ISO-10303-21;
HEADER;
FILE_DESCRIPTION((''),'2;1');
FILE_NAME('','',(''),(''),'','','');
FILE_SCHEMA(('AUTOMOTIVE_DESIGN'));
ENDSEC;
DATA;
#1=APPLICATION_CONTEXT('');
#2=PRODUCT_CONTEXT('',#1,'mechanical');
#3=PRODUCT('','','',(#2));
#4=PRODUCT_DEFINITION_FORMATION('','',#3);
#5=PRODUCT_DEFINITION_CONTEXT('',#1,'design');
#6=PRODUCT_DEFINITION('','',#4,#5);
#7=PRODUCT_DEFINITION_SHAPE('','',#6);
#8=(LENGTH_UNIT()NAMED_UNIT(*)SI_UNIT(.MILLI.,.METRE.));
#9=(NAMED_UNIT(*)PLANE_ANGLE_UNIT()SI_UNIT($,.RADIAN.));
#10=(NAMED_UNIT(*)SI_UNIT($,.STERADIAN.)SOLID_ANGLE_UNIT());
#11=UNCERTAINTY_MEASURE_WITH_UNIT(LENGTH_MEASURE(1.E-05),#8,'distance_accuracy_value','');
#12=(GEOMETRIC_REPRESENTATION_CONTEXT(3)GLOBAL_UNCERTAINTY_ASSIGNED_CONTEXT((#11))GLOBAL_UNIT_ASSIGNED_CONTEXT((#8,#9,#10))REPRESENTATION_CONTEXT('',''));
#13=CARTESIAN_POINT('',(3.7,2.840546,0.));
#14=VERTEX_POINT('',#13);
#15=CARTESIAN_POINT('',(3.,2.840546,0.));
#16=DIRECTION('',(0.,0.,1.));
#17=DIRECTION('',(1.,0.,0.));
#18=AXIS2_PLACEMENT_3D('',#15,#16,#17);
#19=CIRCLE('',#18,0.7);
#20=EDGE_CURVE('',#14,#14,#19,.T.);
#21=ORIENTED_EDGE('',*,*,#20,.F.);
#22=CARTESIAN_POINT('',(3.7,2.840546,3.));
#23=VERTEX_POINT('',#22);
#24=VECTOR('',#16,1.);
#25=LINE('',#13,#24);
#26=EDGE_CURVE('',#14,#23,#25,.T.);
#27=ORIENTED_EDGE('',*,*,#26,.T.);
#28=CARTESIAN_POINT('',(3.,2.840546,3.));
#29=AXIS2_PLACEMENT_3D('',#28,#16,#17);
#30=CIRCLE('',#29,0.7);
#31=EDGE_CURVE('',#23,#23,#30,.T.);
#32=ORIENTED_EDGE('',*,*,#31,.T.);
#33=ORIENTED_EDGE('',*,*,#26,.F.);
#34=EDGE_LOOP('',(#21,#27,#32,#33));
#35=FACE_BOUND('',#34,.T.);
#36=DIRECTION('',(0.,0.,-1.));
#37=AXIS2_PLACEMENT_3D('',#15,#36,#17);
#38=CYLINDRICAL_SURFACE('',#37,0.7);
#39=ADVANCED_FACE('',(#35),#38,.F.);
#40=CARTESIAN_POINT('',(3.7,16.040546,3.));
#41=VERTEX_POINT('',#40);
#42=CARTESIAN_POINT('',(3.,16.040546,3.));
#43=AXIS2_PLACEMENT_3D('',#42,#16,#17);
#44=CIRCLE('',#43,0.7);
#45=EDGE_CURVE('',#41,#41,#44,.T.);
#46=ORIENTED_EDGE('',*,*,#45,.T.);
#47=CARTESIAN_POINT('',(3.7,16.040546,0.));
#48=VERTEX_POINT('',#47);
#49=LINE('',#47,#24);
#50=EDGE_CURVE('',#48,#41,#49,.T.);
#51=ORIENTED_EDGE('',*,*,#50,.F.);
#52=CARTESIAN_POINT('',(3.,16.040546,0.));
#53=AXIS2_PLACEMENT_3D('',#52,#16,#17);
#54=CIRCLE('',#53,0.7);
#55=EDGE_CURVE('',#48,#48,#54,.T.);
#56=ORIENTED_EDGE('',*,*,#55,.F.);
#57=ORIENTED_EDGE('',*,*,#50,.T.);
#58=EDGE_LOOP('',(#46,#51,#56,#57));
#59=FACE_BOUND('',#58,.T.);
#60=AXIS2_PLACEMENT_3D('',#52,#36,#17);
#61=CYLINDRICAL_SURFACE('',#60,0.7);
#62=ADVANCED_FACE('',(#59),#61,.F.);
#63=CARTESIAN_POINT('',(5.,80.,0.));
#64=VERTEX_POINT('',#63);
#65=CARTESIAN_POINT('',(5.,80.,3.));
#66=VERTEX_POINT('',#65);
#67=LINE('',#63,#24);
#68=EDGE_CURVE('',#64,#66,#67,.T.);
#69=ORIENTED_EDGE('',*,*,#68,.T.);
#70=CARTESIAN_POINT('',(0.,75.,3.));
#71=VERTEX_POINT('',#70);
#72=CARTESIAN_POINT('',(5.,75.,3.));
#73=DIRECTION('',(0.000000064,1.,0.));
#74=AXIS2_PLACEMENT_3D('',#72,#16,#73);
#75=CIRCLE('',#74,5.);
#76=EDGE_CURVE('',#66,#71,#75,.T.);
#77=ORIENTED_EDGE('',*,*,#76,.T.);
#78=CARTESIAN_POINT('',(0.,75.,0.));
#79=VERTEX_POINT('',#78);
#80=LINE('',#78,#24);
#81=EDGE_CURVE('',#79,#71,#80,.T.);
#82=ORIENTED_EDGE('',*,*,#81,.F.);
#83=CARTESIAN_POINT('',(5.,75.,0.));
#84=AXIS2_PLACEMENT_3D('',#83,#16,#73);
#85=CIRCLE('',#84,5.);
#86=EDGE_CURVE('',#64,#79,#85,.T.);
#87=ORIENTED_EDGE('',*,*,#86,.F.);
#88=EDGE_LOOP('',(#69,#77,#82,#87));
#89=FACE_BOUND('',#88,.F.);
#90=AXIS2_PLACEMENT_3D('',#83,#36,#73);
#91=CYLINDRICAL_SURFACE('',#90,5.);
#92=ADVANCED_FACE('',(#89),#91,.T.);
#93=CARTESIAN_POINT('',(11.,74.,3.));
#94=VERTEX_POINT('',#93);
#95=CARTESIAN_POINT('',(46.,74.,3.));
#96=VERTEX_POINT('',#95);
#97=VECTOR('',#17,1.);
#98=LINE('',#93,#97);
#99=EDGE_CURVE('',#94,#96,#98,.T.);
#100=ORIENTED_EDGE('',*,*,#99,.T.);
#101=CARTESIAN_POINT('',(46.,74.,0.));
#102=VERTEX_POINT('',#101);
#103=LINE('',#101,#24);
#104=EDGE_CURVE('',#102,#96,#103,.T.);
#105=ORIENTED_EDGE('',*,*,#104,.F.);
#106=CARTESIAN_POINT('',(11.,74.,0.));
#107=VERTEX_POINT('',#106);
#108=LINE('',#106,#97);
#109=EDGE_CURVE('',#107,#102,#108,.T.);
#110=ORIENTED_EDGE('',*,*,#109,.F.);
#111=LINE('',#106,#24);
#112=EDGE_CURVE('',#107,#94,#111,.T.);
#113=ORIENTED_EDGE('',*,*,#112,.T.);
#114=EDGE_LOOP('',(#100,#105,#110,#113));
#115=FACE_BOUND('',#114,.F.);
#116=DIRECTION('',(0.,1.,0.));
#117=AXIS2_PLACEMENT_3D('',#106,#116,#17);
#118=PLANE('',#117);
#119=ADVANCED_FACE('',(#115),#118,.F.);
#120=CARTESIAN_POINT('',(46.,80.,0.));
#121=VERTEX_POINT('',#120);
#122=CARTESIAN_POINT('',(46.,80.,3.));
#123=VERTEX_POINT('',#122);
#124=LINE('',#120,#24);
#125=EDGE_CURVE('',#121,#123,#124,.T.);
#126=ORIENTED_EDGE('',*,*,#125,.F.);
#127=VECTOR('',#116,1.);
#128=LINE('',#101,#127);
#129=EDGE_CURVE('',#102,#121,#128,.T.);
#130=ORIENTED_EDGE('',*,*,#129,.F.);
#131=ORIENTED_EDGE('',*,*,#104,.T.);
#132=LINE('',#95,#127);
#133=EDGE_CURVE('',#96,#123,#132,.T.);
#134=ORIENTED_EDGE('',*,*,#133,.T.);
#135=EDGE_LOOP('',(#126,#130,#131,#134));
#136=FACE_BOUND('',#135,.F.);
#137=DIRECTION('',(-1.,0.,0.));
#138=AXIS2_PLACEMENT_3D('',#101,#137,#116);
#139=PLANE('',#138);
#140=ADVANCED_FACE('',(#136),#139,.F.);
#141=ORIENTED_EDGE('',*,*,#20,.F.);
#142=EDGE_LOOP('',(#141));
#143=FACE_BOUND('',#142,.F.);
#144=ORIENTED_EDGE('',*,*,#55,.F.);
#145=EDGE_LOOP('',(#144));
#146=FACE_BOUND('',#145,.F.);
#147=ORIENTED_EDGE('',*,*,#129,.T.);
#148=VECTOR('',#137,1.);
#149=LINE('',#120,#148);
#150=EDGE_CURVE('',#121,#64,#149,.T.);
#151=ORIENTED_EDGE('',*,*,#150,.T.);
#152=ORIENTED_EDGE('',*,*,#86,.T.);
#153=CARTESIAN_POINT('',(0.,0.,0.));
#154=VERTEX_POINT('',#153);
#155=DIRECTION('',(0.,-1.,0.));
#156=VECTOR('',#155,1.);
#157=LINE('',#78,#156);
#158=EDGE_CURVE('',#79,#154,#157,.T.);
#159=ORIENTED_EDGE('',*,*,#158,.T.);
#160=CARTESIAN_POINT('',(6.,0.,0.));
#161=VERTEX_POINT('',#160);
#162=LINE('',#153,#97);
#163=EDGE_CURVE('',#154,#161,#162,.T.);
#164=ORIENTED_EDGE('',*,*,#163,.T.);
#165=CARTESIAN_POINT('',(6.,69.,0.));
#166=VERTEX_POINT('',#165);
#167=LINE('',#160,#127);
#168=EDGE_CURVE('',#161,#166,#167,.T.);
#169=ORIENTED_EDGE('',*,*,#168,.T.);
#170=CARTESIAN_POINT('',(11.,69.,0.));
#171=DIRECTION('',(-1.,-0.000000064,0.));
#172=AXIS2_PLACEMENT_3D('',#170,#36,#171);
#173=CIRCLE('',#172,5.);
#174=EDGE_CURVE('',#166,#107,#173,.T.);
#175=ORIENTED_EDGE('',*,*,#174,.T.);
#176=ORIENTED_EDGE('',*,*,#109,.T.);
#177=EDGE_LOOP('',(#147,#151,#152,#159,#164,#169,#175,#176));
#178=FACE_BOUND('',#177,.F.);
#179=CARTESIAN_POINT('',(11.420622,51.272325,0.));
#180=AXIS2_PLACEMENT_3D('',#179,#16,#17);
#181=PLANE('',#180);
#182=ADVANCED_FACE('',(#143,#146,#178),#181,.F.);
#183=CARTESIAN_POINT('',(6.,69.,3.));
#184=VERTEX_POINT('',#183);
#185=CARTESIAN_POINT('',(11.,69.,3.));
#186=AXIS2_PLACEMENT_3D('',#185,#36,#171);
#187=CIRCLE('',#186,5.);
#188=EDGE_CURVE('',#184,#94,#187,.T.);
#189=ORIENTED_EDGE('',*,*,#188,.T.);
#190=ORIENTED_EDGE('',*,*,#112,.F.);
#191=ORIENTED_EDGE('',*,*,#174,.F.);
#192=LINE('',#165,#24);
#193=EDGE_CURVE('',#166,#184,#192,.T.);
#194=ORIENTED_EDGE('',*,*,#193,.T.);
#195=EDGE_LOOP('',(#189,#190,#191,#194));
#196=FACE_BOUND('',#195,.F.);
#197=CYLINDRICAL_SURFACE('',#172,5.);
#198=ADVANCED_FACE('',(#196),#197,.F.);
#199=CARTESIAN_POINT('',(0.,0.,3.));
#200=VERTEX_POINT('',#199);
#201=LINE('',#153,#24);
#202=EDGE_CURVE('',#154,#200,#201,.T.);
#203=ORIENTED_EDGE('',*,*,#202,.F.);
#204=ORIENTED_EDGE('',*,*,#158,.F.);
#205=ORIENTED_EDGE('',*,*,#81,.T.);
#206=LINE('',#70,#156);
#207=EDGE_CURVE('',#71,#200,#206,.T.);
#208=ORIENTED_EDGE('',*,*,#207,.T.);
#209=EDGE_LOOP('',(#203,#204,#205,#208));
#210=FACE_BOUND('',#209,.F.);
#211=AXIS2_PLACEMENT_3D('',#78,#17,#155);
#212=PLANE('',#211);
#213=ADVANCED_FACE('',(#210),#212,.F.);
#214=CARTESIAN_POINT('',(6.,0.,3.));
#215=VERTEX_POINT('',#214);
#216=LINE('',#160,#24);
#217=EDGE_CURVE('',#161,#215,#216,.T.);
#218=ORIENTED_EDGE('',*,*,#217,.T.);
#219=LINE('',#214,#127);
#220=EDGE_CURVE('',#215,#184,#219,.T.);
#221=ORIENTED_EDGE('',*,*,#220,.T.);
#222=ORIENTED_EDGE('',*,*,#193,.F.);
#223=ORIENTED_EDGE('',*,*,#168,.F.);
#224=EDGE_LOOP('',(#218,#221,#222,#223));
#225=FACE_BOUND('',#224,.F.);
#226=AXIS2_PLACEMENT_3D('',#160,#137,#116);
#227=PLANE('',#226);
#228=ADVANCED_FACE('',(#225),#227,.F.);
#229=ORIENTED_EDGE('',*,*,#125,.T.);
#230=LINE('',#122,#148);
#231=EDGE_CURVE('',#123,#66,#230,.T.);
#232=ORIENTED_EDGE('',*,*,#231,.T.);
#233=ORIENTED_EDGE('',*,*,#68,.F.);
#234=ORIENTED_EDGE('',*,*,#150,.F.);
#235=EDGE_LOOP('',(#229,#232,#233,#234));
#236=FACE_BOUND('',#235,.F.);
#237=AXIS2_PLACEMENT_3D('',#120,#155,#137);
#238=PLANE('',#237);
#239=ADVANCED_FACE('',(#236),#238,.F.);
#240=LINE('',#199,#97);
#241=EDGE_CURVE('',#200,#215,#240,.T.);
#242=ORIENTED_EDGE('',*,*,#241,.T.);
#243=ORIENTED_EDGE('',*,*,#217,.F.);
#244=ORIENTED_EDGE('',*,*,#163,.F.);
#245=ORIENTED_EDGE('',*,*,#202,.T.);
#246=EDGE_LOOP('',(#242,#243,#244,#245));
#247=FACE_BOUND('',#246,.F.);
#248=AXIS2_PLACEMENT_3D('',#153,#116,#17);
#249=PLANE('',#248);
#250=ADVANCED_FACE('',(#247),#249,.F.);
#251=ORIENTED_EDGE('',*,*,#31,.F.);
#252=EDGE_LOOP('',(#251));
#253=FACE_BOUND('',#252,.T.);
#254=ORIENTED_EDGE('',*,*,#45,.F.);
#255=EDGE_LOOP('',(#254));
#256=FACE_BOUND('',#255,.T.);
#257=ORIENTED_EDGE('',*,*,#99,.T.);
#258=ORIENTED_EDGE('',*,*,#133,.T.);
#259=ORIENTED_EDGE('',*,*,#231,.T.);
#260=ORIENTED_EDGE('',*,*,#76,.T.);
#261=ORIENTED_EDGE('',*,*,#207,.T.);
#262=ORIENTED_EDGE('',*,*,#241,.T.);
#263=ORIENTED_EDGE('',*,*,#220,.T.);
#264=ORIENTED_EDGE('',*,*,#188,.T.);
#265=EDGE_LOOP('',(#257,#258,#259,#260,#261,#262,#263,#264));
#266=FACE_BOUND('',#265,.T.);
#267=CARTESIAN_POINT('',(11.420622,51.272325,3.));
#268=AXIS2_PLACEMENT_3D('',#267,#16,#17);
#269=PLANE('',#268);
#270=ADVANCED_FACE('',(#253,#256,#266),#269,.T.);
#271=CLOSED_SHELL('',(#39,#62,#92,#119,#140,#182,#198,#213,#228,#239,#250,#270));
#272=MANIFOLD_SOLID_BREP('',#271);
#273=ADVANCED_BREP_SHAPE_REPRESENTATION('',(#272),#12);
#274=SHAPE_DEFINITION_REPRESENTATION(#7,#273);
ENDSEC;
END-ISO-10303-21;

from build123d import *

# Parameters (mm, degrees)
F0_R     = 0.7
F1_DEPTH = 3


with BuildPart() as f1:
    # F0 (on Top) → F1 (new body)
    with BuildSketch(Plane.XY):
        with BuildLine():
            Line((0, 75), (0, 0))
            Line((0, 0), (6, 0))
            Line((6, 0), (6, 69))
            ThreePointArc((6, 69), (7.464466, 72.535534), (11, 74))
            Line((11, 74), (19.39934, 74))
            Line((19.39934, 74), (46, 74))
            Line((46, 74), (46, 80))
            Line((46, 80), (6, 80))
            Line((6, 80), (5, 80))
            ThreePointArc((5, 80), (1.464466, 78.535534), (0, 75))
        make_face()
        with Locations((3, 2.840546)):
            Circle(F0_R, mode=Mode.SUBTRACT)
        with Locations((3, 16.040546)):
            Circle(F0_R, mode=Mode.SUBTRACT)
    extrude(amount=F1_DEPTH)


solid = f1.part
